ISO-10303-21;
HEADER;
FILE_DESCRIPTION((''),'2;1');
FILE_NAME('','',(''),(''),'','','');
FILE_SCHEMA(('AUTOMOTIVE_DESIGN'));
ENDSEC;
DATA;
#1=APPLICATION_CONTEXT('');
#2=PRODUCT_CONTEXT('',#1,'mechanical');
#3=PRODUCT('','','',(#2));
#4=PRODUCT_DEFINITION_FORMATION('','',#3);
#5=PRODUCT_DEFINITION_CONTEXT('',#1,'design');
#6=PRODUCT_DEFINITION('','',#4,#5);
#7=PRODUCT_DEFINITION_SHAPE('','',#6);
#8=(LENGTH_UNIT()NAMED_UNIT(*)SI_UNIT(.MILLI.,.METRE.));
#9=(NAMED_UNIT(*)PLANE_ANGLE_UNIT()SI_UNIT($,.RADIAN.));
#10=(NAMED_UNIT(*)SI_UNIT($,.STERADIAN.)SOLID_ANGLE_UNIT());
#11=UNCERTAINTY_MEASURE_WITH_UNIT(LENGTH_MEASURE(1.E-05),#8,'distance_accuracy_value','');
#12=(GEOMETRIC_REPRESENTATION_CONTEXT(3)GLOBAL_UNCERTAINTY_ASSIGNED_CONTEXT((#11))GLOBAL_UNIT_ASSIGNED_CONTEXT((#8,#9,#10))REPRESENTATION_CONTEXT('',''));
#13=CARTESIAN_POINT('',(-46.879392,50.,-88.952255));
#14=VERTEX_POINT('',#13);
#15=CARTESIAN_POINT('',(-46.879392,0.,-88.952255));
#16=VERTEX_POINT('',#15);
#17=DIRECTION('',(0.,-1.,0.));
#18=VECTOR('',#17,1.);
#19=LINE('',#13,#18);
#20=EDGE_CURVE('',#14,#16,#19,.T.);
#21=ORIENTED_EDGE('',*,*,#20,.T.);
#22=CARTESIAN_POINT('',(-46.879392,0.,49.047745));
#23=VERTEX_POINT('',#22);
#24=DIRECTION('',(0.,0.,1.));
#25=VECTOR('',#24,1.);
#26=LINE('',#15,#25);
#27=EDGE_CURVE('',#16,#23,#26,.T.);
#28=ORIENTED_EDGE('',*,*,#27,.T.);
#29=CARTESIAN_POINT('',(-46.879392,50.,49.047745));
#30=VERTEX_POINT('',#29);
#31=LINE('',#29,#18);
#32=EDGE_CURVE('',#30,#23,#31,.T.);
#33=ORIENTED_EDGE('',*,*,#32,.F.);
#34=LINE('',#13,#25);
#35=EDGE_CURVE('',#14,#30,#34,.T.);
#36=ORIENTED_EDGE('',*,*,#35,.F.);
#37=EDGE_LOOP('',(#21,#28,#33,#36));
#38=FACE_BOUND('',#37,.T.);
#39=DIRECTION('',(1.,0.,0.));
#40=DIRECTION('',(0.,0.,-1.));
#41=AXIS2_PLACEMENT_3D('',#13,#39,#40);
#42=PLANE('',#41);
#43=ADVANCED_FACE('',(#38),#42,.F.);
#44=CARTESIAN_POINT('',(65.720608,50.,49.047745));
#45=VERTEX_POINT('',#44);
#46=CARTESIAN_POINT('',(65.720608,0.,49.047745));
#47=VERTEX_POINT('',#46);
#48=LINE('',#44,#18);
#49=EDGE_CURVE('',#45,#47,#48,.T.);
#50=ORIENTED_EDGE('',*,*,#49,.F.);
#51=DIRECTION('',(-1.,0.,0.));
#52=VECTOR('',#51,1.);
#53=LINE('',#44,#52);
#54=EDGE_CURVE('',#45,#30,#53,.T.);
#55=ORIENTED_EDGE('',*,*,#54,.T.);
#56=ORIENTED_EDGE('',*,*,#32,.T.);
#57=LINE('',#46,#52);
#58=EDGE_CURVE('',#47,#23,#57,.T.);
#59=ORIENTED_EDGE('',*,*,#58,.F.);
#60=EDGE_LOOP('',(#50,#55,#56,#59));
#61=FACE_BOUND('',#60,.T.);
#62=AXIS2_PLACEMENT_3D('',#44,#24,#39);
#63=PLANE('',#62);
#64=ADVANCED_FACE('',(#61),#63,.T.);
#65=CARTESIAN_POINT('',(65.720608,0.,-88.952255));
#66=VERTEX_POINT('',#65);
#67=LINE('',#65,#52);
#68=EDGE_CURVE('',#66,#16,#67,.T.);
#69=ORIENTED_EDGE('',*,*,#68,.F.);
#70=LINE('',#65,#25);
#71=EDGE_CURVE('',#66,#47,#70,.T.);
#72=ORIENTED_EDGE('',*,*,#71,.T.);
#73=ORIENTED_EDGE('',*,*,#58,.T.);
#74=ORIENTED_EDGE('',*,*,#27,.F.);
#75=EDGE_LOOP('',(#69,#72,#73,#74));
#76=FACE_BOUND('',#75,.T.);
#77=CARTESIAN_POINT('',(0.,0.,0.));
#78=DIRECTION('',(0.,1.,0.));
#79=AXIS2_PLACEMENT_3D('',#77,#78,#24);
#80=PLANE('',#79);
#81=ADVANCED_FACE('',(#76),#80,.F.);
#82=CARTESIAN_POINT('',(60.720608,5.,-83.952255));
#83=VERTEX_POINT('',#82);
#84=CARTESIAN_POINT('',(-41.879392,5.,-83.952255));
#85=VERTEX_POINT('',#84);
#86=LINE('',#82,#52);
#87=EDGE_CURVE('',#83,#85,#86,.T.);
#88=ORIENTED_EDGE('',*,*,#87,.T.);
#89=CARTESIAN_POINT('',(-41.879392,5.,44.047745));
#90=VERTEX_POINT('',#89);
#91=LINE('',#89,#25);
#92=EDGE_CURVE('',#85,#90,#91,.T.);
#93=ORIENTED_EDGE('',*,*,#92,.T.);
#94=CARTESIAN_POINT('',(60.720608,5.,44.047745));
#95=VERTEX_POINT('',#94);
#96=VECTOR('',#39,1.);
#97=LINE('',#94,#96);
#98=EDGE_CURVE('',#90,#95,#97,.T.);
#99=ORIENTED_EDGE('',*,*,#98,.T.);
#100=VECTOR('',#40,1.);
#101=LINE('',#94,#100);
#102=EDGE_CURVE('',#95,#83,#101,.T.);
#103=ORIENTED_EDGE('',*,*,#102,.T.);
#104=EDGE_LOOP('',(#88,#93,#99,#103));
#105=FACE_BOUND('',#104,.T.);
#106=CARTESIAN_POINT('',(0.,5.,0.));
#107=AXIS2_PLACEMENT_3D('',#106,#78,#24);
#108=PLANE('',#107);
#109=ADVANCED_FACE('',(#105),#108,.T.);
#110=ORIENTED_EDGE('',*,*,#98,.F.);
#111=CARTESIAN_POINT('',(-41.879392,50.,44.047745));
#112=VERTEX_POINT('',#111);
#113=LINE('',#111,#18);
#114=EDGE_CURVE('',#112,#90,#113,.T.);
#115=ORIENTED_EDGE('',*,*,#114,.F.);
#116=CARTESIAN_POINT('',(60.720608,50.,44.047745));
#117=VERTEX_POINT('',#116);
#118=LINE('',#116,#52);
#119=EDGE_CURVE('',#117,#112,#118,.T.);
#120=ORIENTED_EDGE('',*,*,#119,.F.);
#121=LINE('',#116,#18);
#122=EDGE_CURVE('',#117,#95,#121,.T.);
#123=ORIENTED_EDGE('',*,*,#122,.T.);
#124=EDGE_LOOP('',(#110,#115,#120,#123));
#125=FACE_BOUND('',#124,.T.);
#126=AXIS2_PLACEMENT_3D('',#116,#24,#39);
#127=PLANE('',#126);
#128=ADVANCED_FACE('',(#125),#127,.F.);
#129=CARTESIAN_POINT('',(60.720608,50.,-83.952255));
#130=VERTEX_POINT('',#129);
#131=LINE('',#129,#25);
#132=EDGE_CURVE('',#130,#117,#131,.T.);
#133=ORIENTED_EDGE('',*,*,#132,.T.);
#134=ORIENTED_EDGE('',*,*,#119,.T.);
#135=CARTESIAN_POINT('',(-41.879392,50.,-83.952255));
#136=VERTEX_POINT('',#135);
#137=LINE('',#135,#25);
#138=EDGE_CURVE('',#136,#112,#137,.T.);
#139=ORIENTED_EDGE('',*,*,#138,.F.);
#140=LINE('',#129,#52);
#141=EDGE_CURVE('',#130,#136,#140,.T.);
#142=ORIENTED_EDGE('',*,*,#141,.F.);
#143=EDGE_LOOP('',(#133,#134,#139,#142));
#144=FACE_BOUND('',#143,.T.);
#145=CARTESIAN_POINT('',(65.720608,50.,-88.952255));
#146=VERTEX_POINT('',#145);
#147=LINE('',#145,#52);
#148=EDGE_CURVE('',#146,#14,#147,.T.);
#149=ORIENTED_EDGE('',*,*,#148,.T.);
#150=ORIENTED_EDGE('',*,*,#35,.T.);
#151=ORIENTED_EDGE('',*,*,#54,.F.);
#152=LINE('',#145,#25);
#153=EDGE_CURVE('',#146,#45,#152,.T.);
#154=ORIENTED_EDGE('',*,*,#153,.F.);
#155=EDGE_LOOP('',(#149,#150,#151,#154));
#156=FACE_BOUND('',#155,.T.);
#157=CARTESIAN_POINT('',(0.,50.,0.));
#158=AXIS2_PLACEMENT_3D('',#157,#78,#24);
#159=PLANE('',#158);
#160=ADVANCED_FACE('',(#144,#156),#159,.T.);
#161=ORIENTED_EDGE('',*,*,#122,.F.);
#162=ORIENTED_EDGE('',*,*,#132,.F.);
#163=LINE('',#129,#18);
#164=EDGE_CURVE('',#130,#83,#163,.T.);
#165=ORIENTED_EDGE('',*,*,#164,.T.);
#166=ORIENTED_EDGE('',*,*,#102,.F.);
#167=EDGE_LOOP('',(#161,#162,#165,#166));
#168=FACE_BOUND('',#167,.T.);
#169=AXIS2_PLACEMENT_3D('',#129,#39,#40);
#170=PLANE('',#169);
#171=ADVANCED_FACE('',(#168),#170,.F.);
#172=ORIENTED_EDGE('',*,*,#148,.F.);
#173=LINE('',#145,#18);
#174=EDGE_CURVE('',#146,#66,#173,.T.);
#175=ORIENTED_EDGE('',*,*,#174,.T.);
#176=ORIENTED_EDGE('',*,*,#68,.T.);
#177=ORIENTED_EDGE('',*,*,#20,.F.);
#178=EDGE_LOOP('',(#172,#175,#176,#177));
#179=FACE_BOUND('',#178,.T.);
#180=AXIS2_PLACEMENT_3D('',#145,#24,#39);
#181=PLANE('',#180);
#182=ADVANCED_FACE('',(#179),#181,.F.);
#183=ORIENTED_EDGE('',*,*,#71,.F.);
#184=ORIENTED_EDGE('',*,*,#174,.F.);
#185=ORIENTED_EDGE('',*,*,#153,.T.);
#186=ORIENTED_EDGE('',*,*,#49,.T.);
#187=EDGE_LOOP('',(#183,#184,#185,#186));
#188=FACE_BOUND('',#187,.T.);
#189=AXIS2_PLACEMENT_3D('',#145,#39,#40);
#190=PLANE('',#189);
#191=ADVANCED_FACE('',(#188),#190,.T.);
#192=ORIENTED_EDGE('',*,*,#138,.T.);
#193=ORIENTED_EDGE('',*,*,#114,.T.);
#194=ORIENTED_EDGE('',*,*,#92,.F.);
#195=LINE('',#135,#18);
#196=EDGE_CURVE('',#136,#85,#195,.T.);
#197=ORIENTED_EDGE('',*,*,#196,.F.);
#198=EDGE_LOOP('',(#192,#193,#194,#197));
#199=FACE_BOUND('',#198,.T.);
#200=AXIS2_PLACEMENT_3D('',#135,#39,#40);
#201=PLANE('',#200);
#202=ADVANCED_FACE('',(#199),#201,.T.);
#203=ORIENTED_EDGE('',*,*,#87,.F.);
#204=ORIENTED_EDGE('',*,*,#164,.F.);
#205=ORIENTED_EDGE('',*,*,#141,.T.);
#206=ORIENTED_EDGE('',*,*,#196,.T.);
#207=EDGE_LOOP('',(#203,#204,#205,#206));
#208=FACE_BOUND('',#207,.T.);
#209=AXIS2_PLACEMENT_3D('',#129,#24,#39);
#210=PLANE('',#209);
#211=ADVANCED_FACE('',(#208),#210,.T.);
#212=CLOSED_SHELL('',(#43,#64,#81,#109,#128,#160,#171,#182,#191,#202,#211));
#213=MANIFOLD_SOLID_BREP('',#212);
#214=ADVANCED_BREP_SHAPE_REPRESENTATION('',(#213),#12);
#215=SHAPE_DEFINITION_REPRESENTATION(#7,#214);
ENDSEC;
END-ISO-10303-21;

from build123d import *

# Parameters (mm, degrees)
SKETCH1_W           = 101.6
SKETCH1_H           = 127
BOSS_EXTRUDE1_DEPTH = 5
SKETCH4_W           = 102.6
SKETCH4_H           = 128
BOSS_EXTRUDE3_DEPTH = 5
SKETCH5_W           = 112.6
SKETCH5_H           = 138
SKETCH5_W_2         = 102.6
SKETCH5_H_2         = 128
BOSS_EXTRUDE4_DEPTH = 50


with BuildPart() as part:
    # Sketch1 → Boss-Extrude1 (new body)
    with BuildSketch(Plane(origin=(0, 0, 0), x_dir=(1, 0, 0), z_dir=(0, 1, 0))):
        with Locations((9.420607765, 19.952255333)):
            Rectangle(SKETCH1_W, SKETCH1_H)
    extrude(amount=BOSS_EXTRUDE1_DEPTH)

    # Sketch4 → Boss-Extrude3 (add)
    with BuildSketch(Plane(origin=(0, 5, 0), x_dir=(1, 0, 0), z_dir=(0, 1, 0))):
        with Locations((9.420607765, 19.952255333)):
            Rectangle(SKETCH4_W, SKETCH4_H)
    extrude(amount=-BOSS_EXTRUDE3_DEPTH)

    # Sketch5 → Boss-Extrude4 (add)
    with BuildSketch(Plane.XZ):
        with Locations((9.420607765, -19.952255333)):
            Rectangle(SKETCH5_W, SKETCH5_H)
        with Locations((9.420607765, -19.952255333)):
            Rectangle(SKETCH5_W_2, SKETCH5_H_2, mode=Mode.SUBTRACT)
    extrude(amount=-BOSS_EXTRUDE4_DEPTH)


solid = part.part
